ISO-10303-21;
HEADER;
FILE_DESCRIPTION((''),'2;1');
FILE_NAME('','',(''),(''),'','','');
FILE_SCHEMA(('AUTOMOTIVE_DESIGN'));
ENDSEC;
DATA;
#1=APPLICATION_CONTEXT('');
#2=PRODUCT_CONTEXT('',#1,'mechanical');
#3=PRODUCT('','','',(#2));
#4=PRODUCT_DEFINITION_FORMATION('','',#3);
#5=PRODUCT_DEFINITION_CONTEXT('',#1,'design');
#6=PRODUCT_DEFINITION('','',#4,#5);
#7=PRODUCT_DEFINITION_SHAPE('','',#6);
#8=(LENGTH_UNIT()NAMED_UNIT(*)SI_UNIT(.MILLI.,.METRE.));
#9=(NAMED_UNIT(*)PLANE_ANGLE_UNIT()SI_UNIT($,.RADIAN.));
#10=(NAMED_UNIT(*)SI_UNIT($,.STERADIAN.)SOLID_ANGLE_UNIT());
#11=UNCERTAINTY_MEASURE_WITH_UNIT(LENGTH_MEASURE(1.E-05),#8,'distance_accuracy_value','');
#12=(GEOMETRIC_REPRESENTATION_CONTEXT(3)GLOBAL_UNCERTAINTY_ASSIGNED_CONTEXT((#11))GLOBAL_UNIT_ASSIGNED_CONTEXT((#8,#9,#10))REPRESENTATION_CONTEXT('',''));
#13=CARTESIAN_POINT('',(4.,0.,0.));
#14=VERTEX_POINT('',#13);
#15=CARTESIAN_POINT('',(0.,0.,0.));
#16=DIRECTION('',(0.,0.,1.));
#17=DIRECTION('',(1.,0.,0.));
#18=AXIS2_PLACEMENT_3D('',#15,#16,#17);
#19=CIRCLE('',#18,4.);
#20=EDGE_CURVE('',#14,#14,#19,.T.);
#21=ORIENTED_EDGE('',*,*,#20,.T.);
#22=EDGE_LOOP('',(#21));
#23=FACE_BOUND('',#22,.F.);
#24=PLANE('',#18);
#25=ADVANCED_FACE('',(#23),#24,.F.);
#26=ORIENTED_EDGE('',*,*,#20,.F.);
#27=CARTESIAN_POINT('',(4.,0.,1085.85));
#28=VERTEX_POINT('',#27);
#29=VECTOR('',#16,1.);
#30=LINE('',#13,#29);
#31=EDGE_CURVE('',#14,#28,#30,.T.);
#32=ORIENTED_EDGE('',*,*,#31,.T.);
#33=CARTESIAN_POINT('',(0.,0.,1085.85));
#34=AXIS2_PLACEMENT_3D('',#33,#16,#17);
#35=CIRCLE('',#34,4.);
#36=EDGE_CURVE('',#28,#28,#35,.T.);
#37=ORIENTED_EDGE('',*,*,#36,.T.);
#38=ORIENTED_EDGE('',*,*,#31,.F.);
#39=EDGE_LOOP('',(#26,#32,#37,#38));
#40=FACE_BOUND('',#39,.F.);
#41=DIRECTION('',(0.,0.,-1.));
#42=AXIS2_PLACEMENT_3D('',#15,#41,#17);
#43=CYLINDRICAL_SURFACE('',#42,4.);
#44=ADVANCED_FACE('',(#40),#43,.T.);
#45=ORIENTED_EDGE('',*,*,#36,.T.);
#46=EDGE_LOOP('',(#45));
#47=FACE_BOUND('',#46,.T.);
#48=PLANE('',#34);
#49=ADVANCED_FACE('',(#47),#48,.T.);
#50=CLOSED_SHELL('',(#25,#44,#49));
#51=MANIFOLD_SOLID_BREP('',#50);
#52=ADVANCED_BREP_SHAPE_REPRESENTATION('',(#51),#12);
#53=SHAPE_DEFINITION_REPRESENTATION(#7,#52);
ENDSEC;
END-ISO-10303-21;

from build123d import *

# Parameters (mm, degrees)
CYLINDER_R     = 4
CYLINDER_DEPTH = 1085.85


with BuildPart() as part:
    # Cylinder → Cylinder (new body)
    with BuildSketch(Plane.XY):
        Circle(CYLINDER_R)
    extrude(amount=CYLINDER_DEPTH)


solid = part.part
